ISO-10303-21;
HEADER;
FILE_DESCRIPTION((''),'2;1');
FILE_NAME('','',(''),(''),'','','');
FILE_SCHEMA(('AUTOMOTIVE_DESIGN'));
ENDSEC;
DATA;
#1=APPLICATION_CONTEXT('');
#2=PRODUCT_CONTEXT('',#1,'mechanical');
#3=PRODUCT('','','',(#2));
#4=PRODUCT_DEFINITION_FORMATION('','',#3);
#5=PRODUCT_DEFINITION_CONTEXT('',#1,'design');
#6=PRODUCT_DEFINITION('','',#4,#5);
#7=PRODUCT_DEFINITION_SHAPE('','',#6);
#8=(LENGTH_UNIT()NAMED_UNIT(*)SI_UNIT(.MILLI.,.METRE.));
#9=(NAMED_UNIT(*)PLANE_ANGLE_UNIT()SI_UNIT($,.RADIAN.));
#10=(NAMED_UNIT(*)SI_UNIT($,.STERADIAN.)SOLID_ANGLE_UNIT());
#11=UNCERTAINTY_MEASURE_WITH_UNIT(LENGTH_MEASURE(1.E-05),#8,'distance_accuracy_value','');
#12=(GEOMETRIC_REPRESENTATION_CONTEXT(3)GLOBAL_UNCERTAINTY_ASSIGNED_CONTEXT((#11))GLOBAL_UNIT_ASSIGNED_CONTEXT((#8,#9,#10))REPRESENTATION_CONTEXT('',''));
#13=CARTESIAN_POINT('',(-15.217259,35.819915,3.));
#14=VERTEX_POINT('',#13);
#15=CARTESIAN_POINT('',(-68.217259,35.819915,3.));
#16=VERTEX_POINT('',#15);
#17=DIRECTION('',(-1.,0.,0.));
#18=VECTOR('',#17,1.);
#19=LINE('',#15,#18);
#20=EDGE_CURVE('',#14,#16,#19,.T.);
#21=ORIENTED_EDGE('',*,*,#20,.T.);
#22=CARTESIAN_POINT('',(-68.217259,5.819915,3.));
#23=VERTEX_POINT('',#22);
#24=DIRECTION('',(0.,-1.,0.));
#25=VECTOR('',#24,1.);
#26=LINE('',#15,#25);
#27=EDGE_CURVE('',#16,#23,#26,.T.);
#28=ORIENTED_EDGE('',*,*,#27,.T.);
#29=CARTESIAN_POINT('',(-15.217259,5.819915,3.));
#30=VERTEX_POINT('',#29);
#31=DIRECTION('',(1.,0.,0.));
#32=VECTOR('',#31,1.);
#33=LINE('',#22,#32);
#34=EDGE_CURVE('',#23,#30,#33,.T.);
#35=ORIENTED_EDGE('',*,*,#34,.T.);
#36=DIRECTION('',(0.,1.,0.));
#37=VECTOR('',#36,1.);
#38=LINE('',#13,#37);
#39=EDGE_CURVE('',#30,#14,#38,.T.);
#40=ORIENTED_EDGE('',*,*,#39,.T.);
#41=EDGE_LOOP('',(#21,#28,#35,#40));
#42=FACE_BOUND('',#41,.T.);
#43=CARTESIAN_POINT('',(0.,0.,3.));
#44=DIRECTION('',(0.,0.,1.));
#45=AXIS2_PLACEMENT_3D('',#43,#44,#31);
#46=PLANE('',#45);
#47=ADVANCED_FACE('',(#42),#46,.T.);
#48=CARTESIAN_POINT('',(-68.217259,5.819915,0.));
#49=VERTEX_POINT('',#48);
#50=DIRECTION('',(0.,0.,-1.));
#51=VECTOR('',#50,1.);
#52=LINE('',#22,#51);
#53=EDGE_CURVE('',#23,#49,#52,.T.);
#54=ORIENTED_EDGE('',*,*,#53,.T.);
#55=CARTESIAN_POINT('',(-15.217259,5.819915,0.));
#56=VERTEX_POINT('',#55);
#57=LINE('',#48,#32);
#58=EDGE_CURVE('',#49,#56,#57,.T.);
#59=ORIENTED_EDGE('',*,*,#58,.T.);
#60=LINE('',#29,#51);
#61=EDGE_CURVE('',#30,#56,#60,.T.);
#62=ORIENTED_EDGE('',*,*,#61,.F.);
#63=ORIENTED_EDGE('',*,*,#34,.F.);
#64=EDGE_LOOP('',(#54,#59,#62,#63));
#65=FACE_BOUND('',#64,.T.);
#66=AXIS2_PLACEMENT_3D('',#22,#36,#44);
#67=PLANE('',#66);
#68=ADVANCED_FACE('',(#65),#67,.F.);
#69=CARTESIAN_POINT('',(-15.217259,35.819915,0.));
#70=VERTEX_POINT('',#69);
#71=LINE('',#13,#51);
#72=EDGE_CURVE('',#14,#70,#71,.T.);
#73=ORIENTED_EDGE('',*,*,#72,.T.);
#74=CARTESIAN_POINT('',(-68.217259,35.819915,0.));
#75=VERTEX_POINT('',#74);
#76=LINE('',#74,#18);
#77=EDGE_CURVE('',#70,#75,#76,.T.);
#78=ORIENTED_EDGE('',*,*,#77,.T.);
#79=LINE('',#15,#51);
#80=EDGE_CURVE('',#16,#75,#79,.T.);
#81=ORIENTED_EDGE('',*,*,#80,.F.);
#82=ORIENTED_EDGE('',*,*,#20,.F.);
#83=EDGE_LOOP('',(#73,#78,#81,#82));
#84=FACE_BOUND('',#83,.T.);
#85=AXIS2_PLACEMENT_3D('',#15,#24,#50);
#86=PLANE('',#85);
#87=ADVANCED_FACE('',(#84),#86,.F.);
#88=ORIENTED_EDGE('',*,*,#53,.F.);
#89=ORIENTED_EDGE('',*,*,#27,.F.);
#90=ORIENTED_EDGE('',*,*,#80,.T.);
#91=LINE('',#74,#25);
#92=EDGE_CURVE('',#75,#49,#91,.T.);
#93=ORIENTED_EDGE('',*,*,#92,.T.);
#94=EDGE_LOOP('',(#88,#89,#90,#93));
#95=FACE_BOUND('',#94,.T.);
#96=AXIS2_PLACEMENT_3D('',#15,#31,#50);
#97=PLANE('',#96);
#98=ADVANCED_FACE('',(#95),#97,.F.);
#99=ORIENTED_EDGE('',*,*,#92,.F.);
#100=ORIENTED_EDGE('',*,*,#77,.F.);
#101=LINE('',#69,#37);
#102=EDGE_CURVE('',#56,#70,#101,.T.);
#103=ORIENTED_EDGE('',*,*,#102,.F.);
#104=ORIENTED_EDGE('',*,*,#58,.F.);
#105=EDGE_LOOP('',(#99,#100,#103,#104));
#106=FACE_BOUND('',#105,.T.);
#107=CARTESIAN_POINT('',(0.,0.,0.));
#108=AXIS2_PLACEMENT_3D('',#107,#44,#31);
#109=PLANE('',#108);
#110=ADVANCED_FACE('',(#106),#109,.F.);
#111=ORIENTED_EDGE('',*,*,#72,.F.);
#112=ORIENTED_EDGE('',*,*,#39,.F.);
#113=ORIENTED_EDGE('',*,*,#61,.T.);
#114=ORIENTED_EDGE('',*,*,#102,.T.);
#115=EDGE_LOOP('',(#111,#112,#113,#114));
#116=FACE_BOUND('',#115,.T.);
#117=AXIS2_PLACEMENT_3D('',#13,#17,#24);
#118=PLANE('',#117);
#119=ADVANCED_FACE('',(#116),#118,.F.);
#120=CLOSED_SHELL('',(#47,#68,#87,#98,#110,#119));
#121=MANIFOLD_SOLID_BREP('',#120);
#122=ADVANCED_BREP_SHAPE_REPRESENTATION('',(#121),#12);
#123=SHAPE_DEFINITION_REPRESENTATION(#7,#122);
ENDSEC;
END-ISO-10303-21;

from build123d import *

# Parameters (mm, degrees)
ESQUISSE1_W        = 53
ESQUISSE1_H        = 30
BOSS_EXTRU_1_DEPTH = 3


with BuildPart() as part:
    # Esquisse1 → Boss.-Extru.1 (new body)
    with BuildSketch(Plane.XY):
        with Locations((-41.717258586, 20.819915254)):
            Rectangle(ESQUISSE1_W, ESQUISSE1_H)
    extrude(amount=BOSS_EXTRU_1_DEPTH)


solid = part.part
